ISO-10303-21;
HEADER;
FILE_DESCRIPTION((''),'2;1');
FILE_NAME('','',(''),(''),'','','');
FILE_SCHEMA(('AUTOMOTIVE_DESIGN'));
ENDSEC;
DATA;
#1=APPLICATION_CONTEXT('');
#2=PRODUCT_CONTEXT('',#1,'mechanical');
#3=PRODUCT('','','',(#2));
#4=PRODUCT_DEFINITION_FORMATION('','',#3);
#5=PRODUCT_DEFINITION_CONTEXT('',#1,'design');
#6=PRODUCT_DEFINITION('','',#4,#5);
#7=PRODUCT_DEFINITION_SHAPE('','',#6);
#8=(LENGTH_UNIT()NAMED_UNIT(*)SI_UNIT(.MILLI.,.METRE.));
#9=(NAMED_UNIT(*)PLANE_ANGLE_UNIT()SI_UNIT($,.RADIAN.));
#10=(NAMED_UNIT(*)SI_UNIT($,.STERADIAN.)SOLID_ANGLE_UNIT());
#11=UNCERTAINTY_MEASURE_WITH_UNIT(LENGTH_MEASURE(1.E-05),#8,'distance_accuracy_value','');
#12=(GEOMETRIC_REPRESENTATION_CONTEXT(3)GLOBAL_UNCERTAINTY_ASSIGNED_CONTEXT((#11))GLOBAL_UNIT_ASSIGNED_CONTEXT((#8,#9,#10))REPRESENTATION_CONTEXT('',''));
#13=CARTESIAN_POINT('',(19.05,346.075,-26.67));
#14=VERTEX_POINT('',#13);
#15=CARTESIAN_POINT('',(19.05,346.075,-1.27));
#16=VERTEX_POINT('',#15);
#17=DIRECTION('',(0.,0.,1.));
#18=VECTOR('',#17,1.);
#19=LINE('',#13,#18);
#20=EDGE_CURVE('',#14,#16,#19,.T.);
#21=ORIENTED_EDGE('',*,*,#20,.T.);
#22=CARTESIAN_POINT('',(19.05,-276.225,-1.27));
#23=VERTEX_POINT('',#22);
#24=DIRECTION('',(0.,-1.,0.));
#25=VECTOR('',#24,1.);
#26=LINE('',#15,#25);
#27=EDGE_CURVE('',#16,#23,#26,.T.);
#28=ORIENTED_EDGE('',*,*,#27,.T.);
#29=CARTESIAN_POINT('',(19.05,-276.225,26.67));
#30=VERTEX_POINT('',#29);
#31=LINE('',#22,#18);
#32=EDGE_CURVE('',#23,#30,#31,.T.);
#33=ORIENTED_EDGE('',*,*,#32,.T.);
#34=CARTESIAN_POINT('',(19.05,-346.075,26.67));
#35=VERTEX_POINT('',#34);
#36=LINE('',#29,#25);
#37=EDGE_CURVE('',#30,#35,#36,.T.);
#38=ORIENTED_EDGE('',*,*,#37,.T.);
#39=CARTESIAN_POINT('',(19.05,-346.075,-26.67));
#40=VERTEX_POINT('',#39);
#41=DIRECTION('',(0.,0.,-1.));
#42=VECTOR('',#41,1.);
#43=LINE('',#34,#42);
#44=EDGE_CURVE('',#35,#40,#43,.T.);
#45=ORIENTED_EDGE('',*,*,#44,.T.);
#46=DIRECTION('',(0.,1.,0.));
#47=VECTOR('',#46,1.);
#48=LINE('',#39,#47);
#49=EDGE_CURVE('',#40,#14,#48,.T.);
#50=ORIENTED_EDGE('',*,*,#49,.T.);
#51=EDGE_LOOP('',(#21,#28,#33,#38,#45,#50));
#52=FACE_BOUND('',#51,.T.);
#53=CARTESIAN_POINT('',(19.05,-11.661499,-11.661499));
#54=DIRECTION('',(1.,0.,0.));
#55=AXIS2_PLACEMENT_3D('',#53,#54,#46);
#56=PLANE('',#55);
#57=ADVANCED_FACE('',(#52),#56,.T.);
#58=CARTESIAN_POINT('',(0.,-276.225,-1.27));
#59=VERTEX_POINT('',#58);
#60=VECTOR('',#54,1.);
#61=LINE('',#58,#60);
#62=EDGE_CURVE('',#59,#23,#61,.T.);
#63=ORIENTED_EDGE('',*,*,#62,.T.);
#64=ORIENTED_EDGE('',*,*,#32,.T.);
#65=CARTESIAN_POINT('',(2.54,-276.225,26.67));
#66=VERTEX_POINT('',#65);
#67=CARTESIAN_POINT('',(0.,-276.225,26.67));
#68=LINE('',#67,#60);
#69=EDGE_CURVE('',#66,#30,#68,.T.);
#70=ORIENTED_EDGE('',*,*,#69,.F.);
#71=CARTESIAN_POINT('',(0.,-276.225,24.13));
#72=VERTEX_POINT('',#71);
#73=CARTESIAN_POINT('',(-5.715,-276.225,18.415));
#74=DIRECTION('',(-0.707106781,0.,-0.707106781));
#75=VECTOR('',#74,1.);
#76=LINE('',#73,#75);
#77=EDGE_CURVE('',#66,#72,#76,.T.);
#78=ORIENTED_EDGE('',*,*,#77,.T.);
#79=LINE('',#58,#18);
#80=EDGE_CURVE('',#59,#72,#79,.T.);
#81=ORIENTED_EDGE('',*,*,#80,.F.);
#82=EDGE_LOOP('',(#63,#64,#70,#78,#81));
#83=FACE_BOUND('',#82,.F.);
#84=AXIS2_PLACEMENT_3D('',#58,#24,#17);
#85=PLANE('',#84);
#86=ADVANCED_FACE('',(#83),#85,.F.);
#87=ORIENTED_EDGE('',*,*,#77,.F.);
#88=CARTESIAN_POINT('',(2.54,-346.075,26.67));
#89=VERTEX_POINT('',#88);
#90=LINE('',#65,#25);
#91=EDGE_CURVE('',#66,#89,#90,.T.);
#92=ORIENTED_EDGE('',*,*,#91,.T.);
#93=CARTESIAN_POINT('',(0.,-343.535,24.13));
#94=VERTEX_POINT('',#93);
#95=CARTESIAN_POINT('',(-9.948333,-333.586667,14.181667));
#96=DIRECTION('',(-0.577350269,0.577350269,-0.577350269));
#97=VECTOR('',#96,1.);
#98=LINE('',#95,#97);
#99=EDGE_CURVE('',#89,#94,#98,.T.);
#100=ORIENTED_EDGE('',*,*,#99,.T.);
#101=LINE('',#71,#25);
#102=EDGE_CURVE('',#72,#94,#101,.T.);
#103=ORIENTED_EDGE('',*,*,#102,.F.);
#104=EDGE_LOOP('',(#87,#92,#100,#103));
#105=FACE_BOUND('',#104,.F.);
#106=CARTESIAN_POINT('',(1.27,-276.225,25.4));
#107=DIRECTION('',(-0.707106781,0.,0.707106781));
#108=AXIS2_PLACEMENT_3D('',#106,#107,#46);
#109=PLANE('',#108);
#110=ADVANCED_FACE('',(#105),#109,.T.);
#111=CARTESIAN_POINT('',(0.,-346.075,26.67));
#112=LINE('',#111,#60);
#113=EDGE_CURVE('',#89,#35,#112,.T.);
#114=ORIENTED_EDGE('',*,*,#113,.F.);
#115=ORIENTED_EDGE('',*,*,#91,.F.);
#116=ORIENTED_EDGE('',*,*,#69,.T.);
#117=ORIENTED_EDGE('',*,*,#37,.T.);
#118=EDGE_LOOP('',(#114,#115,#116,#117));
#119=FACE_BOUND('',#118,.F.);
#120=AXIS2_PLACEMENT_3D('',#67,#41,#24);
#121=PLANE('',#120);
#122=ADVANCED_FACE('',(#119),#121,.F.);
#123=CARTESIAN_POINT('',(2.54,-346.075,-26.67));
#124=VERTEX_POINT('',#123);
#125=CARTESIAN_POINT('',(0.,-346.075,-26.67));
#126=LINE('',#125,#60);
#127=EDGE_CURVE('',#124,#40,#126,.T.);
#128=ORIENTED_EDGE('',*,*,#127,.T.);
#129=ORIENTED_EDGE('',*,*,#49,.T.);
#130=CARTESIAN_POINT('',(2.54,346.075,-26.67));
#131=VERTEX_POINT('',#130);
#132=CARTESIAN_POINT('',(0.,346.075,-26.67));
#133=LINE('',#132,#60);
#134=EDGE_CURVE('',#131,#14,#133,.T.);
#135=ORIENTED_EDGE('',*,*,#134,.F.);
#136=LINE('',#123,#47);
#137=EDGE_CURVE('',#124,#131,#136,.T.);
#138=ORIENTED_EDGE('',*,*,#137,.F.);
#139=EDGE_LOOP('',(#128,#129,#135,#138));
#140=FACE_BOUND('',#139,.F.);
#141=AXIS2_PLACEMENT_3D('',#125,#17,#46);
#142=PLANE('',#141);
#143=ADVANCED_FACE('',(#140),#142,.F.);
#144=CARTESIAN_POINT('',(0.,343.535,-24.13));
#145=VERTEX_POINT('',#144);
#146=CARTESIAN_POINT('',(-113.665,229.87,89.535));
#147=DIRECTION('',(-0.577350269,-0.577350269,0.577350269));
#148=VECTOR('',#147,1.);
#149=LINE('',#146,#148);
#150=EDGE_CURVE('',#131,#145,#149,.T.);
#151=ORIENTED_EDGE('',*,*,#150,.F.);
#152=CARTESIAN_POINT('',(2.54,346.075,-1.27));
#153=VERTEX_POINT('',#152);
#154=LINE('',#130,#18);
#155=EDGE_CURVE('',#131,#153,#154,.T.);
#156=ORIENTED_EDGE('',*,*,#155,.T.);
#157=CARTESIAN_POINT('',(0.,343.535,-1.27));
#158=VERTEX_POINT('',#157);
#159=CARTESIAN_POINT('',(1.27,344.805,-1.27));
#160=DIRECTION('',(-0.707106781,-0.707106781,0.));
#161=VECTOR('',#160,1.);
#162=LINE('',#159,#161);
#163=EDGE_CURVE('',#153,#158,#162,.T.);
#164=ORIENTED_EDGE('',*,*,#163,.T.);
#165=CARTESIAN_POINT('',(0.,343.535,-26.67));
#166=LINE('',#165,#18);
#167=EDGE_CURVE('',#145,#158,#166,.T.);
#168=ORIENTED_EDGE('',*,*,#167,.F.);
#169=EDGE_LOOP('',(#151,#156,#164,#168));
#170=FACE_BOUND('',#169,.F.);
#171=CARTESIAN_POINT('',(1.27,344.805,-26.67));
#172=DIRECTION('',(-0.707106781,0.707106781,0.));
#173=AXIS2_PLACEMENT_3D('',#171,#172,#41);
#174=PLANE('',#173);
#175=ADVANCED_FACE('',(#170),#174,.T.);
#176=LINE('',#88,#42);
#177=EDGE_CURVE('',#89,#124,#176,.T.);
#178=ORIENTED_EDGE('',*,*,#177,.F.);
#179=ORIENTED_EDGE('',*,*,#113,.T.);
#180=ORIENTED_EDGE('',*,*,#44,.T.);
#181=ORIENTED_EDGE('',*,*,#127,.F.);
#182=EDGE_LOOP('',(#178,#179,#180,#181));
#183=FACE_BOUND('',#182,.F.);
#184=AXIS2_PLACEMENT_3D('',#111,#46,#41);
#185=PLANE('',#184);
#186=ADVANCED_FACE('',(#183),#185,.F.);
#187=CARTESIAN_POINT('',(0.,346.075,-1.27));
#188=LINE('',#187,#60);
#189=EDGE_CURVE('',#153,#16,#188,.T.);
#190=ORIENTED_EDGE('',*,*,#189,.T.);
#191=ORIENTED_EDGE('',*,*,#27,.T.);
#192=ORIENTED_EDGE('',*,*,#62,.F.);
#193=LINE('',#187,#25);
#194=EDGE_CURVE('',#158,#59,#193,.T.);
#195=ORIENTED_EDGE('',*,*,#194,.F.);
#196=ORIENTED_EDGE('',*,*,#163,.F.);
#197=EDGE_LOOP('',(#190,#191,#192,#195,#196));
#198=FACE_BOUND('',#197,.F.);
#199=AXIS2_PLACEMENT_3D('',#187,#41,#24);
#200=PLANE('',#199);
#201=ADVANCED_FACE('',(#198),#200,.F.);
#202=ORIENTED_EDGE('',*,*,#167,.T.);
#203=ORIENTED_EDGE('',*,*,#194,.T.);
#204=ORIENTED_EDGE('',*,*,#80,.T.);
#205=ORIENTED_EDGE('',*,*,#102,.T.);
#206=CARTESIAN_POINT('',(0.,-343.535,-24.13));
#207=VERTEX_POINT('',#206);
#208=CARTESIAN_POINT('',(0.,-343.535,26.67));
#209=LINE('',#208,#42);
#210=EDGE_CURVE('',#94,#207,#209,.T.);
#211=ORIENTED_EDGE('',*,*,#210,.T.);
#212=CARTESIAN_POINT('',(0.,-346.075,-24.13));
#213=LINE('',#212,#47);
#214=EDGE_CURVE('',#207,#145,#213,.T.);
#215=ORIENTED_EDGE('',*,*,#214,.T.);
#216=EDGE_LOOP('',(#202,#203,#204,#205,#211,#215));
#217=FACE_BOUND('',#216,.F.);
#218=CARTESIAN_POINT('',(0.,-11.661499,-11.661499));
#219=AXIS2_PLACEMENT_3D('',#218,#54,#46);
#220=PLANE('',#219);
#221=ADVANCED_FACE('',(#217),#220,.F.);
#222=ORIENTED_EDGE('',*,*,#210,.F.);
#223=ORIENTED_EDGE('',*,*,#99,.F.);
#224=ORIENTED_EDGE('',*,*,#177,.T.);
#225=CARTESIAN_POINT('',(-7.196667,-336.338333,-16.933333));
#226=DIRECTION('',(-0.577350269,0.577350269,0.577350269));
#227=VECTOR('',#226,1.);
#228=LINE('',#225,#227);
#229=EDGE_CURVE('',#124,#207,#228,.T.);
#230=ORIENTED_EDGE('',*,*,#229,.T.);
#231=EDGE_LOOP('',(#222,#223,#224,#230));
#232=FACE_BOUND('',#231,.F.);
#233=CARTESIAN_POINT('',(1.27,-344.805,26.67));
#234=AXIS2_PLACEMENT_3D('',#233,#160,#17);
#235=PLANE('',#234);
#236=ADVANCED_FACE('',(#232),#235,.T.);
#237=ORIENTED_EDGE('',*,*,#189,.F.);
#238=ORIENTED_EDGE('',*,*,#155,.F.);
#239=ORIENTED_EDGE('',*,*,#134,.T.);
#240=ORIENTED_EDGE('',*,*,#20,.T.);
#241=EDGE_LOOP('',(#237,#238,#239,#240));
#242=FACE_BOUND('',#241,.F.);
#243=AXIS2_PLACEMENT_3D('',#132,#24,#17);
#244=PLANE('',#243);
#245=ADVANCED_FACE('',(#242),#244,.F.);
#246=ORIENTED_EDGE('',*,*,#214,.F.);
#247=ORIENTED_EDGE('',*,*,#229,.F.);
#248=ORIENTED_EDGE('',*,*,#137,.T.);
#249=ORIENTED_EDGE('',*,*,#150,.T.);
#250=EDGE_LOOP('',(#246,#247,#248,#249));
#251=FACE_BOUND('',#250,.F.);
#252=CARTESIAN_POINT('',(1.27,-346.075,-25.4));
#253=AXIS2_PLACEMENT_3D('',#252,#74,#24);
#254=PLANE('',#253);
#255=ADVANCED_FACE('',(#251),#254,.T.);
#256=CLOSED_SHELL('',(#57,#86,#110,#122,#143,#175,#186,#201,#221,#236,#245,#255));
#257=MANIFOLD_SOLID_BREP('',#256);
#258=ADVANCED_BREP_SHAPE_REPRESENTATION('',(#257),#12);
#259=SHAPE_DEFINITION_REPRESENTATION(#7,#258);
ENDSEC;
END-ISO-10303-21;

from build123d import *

# Parameters (mm, degrees)
F1_DEPTH = 19.05
F2_SIZE  = 2.54


with BuildPart() as f1:
    # F0 (on Right) → F1 (new body)
    with BuildSketch(Plane.YZ):
        Polygon((-346.075, 26.67), (-346.075, -26.67), (346.075, -26.67), (346.075, -1.27), (-276.225, -1.27), (-276.225, 26.67), align=None)
    extrude(amount=F1_DEPTH)

    # F2
    f2_edges = [f1.edges().sort_by_distance(p)[0] for p in [
        (0, -311.15, 26.67),
        (0, -346.075, 0),
        (0, 0, -26.67),
        (0, 346.075, -13.97),
    ]]
    chamfer(f2_edges, length=F2_SIZE)


solid = f1.part
